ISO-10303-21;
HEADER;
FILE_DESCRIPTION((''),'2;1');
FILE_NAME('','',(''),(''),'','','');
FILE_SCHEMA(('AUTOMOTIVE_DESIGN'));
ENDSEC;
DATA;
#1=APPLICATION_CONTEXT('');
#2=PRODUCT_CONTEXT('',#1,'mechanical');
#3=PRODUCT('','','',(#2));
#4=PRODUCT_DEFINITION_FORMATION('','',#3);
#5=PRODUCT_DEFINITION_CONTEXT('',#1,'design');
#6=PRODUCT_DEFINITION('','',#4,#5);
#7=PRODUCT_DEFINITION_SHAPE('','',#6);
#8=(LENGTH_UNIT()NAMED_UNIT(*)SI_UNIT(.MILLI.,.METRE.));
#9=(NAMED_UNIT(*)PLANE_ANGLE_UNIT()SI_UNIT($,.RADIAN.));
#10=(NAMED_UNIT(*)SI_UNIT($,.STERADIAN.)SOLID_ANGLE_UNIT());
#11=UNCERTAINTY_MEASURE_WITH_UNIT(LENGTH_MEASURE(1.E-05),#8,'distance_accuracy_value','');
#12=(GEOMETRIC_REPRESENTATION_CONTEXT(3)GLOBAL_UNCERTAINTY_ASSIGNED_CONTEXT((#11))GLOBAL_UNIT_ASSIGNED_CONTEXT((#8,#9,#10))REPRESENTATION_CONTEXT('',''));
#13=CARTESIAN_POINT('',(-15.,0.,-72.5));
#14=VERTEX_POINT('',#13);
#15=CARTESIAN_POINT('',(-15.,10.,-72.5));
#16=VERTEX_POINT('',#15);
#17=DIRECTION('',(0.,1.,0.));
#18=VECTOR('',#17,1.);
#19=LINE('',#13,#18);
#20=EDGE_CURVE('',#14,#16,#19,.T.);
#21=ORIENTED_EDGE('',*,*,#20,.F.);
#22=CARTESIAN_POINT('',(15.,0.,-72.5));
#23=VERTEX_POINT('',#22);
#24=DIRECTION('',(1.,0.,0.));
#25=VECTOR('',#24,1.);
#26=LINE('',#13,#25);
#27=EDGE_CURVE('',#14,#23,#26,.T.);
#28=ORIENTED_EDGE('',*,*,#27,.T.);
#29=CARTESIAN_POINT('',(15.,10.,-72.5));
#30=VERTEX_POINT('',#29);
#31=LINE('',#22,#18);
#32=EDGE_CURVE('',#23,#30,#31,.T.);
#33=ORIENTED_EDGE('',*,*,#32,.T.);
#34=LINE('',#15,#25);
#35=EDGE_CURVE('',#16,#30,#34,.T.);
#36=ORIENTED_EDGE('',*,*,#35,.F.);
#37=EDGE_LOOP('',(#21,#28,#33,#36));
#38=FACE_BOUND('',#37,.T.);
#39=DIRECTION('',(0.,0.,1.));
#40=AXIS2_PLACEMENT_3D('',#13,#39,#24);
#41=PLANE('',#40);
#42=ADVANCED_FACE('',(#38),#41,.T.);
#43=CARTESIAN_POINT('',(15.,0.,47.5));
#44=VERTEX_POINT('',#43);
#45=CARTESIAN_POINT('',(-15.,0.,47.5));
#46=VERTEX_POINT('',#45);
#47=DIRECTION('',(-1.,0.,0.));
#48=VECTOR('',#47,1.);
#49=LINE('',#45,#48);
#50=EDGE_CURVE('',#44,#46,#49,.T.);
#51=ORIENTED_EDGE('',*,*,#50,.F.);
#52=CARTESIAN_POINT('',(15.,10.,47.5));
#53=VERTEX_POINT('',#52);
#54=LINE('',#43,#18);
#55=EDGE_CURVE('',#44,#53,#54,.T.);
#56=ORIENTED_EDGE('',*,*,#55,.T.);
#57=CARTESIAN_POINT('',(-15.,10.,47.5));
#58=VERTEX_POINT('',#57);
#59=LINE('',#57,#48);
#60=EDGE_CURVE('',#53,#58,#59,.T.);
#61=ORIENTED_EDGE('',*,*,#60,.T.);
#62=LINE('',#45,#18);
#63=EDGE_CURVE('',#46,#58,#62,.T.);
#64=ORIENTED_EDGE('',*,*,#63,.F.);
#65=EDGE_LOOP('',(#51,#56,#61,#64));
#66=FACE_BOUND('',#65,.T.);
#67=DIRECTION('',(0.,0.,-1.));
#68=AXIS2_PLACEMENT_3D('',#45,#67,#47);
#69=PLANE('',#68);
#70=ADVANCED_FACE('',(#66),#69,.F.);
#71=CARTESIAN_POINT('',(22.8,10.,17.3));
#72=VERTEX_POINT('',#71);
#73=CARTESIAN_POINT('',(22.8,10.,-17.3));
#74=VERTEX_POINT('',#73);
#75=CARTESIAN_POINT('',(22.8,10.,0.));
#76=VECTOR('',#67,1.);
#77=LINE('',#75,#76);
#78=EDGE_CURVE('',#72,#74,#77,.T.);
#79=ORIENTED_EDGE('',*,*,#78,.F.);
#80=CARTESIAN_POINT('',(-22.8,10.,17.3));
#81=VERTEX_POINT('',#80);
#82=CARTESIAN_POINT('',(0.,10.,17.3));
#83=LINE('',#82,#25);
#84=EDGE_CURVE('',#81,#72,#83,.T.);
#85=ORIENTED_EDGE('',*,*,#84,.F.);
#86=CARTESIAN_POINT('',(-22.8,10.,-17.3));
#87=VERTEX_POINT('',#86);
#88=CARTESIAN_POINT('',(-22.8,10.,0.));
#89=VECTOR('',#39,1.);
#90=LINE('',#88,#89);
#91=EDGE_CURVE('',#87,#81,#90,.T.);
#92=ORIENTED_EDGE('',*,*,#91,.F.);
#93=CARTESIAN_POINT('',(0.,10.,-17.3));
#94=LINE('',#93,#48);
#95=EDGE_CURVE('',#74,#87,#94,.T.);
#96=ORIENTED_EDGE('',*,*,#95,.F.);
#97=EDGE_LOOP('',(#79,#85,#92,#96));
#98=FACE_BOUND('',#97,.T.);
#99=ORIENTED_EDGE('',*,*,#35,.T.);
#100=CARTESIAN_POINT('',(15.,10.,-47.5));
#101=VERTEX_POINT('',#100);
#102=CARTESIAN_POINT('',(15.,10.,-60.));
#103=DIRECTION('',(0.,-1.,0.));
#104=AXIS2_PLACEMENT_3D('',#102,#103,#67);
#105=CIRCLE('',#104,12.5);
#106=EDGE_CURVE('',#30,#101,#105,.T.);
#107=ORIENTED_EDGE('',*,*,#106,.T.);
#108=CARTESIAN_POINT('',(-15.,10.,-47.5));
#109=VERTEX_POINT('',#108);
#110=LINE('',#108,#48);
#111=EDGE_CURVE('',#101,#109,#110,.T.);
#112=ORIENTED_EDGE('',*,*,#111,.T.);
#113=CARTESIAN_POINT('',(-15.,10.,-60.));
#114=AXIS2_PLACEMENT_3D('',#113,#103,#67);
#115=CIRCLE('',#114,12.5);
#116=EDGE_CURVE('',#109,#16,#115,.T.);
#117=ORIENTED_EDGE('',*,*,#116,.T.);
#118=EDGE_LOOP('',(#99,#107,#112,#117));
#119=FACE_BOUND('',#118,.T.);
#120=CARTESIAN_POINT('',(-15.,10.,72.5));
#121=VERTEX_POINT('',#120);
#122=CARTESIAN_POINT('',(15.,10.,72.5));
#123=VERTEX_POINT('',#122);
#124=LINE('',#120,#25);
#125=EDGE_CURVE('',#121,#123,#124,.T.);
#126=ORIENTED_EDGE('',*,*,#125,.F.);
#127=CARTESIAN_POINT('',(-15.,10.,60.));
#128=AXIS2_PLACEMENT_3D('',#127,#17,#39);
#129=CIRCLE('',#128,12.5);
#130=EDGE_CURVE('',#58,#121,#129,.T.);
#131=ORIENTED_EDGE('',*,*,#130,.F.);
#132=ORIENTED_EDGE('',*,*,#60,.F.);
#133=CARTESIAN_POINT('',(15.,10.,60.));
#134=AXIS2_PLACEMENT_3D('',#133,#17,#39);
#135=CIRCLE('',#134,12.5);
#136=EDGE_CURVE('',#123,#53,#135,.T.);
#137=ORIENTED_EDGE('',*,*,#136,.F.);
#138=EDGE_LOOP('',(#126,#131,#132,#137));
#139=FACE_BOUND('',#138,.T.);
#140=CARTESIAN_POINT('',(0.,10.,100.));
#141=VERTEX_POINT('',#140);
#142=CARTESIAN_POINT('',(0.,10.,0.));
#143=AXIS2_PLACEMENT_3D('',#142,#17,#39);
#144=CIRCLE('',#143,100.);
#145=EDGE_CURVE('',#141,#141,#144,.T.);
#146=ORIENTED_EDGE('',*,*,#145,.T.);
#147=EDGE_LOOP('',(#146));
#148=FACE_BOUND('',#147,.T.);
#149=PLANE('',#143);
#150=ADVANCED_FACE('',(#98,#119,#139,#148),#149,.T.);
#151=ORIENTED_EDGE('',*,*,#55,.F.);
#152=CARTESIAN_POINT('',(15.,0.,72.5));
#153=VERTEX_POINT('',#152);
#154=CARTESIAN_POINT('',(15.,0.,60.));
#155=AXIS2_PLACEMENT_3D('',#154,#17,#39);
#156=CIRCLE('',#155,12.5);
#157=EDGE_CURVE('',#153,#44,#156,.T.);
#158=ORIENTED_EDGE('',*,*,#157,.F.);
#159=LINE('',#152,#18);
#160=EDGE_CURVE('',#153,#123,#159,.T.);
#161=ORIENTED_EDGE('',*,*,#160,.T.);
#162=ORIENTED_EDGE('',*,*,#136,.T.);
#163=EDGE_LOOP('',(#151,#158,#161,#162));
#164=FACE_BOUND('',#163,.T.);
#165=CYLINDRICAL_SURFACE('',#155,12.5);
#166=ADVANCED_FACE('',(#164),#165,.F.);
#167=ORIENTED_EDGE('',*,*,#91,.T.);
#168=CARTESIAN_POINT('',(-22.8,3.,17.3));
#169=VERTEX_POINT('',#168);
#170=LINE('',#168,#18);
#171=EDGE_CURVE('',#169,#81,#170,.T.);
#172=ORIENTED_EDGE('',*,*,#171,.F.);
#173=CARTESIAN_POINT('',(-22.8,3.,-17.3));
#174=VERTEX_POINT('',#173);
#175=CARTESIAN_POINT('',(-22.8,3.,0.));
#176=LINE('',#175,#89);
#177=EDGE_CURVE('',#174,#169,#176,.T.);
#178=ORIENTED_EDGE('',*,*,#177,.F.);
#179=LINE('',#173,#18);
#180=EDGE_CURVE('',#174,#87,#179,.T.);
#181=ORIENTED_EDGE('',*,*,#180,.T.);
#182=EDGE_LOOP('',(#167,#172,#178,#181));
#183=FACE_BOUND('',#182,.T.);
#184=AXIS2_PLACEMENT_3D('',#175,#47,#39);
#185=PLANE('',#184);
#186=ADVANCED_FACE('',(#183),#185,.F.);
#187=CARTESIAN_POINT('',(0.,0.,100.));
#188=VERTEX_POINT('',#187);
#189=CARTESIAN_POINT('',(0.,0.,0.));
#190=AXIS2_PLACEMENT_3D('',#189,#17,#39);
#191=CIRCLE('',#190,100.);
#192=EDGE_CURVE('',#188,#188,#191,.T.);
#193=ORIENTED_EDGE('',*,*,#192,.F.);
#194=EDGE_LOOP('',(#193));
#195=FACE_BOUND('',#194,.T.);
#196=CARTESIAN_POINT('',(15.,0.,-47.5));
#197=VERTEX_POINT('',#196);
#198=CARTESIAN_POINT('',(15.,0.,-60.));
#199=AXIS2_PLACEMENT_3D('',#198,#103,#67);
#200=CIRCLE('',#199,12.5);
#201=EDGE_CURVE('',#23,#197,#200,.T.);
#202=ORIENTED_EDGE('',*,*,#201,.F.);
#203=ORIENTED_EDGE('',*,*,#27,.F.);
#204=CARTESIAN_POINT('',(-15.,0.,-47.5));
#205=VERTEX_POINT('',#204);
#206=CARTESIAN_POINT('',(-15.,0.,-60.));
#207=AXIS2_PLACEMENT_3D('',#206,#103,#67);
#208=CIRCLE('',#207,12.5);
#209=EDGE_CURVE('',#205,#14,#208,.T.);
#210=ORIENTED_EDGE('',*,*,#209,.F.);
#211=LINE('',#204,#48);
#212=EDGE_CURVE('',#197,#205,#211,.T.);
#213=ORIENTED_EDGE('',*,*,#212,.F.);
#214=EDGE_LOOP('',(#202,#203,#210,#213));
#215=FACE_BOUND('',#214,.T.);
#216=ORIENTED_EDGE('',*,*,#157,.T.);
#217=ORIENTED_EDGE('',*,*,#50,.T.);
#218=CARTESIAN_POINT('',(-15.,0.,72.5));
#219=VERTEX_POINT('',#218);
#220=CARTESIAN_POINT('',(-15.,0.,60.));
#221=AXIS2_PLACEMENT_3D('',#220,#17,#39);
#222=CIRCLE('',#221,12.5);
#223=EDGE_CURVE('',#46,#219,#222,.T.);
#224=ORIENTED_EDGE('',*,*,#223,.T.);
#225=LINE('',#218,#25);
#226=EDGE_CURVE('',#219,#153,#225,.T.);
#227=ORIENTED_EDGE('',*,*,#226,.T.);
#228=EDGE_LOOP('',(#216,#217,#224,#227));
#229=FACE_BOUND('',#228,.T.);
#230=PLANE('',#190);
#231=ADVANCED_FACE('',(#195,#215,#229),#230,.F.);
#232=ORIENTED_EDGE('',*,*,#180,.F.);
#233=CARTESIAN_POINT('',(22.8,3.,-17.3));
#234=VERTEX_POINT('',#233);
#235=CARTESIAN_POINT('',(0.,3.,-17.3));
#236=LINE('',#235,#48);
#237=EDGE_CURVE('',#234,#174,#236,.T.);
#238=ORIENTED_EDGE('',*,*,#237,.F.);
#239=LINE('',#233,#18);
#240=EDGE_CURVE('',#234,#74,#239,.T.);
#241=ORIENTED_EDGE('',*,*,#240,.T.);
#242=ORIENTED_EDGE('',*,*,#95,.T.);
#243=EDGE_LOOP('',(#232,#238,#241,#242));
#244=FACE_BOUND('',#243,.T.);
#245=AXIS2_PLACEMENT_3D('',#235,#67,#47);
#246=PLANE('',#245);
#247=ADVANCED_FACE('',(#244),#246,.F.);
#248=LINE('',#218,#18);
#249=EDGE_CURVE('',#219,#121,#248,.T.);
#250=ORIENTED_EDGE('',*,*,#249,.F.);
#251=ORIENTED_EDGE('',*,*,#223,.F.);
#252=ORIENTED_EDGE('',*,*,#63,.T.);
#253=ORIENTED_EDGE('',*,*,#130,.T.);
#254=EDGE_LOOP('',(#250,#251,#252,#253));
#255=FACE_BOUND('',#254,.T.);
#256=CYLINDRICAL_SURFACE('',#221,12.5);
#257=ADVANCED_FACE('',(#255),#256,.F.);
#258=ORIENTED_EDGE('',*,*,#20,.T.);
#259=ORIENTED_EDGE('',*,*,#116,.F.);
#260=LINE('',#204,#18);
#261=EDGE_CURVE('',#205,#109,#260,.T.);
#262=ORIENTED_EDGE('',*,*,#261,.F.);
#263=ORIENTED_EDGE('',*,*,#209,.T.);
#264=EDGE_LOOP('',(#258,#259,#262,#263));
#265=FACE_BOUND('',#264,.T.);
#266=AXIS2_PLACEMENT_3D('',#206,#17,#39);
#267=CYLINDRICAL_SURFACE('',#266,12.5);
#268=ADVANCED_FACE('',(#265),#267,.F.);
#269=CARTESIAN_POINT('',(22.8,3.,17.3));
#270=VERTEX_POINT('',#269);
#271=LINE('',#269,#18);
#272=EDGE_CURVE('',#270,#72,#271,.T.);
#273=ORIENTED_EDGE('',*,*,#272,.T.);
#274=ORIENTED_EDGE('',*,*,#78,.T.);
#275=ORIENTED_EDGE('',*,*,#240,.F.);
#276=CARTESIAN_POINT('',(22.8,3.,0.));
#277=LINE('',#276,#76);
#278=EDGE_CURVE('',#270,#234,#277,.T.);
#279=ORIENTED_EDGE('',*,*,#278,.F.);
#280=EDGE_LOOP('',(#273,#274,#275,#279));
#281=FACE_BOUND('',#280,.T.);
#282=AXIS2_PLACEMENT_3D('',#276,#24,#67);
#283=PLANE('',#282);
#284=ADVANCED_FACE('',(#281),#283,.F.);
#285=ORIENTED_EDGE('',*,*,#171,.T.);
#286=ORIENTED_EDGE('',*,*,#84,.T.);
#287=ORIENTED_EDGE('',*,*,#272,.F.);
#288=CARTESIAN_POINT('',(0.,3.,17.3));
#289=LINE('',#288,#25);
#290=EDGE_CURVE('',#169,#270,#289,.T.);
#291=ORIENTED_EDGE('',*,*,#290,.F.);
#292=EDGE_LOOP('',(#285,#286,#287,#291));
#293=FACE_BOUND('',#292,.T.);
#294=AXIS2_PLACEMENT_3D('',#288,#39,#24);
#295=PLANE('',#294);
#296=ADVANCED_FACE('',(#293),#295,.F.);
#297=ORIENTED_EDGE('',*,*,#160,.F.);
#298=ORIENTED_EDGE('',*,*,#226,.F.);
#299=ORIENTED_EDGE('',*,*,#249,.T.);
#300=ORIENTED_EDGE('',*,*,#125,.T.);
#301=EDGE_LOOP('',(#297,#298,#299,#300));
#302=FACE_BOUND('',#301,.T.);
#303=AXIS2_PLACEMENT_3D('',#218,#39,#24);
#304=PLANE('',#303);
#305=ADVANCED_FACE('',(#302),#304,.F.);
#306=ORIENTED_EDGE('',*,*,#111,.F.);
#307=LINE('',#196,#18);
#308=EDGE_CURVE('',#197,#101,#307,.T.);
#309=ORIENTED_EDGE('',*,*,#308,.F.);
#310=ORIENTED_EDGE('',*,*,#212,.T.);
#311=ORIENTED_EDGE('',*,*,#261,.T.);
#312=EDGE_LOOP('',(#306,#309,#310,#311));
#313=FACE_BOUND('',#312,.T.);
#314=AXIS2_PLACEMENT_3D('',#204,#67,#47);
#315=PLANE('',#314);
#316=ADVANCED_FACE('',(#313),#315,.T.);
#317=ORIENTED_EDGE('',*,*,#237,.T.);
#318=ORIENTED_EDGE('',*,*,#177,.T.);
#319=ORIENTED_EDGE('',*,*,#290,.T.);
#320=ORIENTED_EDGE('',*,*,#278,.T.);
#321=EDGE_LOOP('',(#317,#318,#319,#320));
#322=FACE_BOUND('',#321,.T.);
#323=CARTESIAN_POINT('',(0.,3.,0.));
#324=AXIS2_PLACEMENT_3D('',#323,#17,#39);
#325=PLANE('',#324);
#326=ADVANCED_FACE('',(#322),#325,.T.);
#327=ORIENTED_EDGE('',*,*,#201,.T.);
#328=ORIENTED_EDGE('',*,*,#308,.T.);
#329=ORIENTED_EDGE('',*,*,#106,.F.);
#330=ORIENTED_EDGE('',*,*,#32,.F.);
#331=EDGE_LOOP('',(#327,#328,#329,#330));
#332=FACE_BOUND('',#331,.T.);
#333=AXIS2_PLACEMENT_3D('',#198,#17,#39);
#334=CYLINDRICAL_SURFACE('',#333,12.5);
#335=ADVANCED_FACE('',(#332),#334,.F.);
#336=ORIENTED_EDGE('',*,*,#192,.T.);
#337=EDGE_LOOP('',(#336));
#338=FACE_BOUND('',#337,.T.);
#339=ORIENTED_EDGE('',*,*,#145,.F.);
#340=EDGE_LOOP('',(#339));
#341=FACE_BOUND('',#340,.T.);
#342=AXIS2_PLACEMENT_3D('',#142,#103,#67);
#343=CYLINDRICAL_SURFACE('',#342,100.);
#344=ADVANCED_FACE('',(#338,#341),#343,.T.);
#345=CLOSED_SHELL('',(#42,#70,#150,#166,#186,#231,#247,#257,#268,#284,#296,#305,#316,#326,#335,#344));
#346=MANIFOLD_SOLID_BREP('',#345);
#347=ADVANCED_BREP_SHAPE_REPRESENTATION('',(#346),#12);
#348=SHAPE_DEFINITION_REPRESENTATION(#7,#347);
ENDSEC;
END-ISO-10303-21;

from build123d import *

# Parameters (mm, degrees)
SKETCH1_R           = 100
BOSS_EXTRUDE1_DEPTH = 10
CUT_EXTRUDE1_DEPTH  = 11
CUT_EXTRUDE2_DEPTH  = 7


with BuildPart() as part:
    # Sketch1 → Boss-Extrude1 (new body)
    with BuildSketch(Plane(origin=(0, 0, 0), x_dir=(1, 0, 0), z_dir=(0, 1, 0))):
        Circle(SKETCH1_R)
    extrude(amount=BOSS_EXTRUDE1_DEPTH)

    # Sketch2 → Cut-Extrude1 (cut, through all)
    with BuildSketch(Plane(origin=(0, 10, 0), x_dir=(1, 0, 0), z_dir=(0, 1, 0))):
        with BuildLine():
            Line((-15, -47.5), (15, -47.5))
            ThreePointArc((15, -47.5), (27.5, -60), (15, -72.5))
            Line((15, -72.5), (-15, -72.5))
            ThreePointArc((-15, -72.5), (-27.5, -60), (-15, -47.5))
        make_face()
    cut_extrude1 = extrude(amount=-CUT_EXTRUDE1_DEPTH, mode=Mode.SUBTRACT)

    # Mirror1: Cut-Extrude1 across plane
    add(cut_extrude1.mirror(Plane.XY), mode=Mode.SUBTRACT)

    # Sketch3 → Cut-Extrude2 (cut)
    with BuildSketch(Plane(origin=(0, 10, 0), x_dir=(1, 0, 0), z_dir=(0, 1, 0))):
        Polygon((-22.8, 17.3), (-22.8, -17.3), (0, 0), align=None)
        Polygon((-22.8, 17.3), (0, 0), (22.8, 17.3), align=None)
        Polygon((22.8, 17.3), (0, 0), (22.8, -17.3), align=None)
        Polygon((0, 0), (-22.8, -17.3), (22.8, -17.3), align=None)
    extrude(amount=-CUT_EXTRUDE2_DEPTH, mode=Mode.SUBTRACT)


solid = part.part
